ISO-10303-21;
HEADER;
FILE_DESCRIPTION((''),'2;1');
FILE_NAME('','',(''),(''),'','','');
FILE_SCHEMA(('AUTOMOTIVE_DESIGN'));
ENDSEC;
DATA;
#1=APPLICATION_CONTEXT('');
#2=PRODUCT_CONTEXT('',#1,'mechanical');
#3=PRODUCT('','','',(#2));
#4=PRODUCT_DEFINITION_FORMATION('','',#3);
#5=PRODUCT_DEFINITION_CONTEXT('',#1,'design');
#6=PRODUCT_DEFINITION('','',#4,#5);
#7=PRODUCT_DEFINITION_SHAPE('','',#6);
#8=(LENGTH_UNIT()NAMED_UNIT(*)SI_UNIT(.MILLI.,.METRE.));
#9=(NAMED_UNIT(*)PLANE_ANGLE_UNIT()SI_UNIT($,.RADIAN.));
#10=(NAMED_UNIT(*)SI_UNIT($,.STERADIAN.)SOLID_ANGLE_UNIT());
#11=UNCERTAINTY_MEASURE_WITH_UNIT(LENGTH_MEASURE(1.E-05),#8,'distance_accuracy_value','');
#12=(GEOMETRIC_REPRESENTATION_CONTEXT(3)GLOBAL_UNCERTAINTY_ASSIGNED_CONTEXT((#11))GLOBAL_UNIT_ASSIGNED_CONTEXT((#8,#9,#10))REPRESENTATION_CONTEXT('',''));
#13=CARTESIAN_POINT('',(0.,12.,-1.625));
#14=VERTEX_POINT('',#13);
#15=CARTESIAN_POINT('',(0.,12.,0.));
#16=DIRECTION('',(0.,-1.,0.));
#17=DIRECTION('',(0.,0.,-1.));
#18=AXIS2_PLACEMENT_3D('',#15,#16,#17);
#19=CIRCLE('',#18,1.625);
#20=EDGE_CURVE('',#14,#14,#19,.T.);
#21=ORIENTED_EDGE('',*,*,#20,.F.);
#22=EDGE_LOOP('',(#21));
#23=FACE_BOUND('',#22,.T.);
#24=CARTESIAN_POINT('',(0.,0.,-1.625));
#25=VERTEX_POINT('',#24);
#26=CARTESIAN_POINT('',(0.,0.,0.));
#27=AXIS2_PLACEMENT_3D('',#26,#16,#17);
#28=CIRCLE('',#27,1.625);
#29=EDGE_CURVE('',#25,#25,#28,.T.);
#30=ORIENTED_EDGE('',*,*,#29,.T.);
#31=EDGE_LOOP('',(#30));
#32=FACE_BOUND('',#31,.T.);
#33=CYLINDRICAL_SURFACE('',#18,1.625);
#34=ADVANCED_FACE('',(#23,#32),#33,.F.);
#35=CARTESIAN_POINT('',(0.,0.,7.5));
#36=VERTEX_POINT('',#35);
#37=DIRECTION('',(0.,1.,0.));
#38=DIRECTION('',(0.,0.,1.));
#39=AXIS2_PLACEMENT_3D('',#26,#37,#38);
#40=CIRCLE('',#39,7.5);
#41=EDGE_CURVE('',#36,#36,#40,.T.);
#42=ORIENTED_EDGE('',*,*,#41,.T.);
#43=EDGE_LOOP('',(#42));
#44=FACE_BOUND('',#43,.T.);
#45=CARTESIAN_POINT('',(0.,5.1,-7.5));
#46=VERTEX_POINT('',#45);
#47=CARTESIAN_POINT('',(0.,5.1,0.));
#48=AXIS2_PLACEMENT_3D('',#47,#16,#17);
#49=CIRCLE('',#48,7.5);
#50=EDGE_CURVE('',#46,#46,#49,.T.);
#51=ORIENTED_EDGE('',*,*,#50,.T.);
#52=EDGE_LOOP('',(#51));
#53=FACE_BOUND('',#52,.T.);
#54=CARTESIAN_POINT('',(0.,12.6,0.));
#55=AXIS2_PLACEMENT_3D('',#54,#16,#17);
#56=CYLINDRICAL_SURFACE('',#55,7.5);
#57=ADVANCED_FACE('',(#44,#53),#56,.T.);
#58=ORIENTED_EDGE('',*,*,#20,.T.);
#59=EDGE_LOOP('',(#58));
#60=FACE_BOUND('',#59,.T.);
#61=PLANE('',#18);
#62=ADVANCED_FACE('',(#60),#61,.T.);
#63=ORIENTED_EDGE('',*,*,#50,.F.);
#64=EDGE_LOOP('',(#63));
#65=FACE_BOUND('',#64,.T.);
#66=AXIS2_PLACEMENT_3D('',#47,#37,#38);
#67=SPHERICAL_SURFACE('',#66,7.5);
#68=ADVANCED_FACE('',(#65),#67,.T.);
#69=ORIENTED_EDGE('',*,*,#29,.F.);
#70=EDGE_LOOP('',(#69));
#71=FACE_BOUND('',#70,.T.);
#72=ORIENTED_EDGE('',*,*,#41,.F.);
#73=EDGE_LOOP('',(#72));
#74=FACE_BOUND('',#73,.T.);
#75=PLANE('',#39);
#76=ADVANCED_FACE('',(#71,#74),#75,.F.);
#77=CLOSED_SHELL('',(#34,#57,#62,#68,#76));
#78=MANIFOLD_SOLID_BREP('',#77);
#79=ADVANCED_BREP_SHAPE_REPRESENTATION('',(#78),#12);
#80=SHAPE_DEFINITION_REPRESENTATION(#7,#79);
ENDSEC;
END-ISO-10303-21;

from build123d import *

# Parameters (mm, degrees)
SKETCH1_R           = 7.5
BOSS_EXTRUDE1_DEPTH = 12.6
FILLET1_R           = 7.5
SKETCH2_R           = 1.625
CUT_EXTRUDE1_DEPTH  = 12


with BuildPart() as part:
    # Sketch1 → Boss-Extrude1 (new body)
    with BuildSketch(Plane(origin=(0, 0, 0), x_dir=(1, 0, 0), z_dir=(0, 1, 0))):
        Circle(SKETCH1_R)
    extrude(amount=BOSS_EXTRUDE1_DEPTH)

    # Fillet1
    fillet1_edges = [part.edges().sort_by_distance(p)[0] for p in [
        (-7.5, 12.6, 0),
    ]]
    fillet(fillet1_edges, radius=FILLET1_R)

    # Sketch2 → Cut-Extrude1 (cut)
    with BuildSketch(Plane.XZ):
        Circle(SKETCH2_R)
    extrude(amount=-CUT_EXTRUDE1_DEPTH, mode=Mode.SUBTRACT)


solid = part.part
